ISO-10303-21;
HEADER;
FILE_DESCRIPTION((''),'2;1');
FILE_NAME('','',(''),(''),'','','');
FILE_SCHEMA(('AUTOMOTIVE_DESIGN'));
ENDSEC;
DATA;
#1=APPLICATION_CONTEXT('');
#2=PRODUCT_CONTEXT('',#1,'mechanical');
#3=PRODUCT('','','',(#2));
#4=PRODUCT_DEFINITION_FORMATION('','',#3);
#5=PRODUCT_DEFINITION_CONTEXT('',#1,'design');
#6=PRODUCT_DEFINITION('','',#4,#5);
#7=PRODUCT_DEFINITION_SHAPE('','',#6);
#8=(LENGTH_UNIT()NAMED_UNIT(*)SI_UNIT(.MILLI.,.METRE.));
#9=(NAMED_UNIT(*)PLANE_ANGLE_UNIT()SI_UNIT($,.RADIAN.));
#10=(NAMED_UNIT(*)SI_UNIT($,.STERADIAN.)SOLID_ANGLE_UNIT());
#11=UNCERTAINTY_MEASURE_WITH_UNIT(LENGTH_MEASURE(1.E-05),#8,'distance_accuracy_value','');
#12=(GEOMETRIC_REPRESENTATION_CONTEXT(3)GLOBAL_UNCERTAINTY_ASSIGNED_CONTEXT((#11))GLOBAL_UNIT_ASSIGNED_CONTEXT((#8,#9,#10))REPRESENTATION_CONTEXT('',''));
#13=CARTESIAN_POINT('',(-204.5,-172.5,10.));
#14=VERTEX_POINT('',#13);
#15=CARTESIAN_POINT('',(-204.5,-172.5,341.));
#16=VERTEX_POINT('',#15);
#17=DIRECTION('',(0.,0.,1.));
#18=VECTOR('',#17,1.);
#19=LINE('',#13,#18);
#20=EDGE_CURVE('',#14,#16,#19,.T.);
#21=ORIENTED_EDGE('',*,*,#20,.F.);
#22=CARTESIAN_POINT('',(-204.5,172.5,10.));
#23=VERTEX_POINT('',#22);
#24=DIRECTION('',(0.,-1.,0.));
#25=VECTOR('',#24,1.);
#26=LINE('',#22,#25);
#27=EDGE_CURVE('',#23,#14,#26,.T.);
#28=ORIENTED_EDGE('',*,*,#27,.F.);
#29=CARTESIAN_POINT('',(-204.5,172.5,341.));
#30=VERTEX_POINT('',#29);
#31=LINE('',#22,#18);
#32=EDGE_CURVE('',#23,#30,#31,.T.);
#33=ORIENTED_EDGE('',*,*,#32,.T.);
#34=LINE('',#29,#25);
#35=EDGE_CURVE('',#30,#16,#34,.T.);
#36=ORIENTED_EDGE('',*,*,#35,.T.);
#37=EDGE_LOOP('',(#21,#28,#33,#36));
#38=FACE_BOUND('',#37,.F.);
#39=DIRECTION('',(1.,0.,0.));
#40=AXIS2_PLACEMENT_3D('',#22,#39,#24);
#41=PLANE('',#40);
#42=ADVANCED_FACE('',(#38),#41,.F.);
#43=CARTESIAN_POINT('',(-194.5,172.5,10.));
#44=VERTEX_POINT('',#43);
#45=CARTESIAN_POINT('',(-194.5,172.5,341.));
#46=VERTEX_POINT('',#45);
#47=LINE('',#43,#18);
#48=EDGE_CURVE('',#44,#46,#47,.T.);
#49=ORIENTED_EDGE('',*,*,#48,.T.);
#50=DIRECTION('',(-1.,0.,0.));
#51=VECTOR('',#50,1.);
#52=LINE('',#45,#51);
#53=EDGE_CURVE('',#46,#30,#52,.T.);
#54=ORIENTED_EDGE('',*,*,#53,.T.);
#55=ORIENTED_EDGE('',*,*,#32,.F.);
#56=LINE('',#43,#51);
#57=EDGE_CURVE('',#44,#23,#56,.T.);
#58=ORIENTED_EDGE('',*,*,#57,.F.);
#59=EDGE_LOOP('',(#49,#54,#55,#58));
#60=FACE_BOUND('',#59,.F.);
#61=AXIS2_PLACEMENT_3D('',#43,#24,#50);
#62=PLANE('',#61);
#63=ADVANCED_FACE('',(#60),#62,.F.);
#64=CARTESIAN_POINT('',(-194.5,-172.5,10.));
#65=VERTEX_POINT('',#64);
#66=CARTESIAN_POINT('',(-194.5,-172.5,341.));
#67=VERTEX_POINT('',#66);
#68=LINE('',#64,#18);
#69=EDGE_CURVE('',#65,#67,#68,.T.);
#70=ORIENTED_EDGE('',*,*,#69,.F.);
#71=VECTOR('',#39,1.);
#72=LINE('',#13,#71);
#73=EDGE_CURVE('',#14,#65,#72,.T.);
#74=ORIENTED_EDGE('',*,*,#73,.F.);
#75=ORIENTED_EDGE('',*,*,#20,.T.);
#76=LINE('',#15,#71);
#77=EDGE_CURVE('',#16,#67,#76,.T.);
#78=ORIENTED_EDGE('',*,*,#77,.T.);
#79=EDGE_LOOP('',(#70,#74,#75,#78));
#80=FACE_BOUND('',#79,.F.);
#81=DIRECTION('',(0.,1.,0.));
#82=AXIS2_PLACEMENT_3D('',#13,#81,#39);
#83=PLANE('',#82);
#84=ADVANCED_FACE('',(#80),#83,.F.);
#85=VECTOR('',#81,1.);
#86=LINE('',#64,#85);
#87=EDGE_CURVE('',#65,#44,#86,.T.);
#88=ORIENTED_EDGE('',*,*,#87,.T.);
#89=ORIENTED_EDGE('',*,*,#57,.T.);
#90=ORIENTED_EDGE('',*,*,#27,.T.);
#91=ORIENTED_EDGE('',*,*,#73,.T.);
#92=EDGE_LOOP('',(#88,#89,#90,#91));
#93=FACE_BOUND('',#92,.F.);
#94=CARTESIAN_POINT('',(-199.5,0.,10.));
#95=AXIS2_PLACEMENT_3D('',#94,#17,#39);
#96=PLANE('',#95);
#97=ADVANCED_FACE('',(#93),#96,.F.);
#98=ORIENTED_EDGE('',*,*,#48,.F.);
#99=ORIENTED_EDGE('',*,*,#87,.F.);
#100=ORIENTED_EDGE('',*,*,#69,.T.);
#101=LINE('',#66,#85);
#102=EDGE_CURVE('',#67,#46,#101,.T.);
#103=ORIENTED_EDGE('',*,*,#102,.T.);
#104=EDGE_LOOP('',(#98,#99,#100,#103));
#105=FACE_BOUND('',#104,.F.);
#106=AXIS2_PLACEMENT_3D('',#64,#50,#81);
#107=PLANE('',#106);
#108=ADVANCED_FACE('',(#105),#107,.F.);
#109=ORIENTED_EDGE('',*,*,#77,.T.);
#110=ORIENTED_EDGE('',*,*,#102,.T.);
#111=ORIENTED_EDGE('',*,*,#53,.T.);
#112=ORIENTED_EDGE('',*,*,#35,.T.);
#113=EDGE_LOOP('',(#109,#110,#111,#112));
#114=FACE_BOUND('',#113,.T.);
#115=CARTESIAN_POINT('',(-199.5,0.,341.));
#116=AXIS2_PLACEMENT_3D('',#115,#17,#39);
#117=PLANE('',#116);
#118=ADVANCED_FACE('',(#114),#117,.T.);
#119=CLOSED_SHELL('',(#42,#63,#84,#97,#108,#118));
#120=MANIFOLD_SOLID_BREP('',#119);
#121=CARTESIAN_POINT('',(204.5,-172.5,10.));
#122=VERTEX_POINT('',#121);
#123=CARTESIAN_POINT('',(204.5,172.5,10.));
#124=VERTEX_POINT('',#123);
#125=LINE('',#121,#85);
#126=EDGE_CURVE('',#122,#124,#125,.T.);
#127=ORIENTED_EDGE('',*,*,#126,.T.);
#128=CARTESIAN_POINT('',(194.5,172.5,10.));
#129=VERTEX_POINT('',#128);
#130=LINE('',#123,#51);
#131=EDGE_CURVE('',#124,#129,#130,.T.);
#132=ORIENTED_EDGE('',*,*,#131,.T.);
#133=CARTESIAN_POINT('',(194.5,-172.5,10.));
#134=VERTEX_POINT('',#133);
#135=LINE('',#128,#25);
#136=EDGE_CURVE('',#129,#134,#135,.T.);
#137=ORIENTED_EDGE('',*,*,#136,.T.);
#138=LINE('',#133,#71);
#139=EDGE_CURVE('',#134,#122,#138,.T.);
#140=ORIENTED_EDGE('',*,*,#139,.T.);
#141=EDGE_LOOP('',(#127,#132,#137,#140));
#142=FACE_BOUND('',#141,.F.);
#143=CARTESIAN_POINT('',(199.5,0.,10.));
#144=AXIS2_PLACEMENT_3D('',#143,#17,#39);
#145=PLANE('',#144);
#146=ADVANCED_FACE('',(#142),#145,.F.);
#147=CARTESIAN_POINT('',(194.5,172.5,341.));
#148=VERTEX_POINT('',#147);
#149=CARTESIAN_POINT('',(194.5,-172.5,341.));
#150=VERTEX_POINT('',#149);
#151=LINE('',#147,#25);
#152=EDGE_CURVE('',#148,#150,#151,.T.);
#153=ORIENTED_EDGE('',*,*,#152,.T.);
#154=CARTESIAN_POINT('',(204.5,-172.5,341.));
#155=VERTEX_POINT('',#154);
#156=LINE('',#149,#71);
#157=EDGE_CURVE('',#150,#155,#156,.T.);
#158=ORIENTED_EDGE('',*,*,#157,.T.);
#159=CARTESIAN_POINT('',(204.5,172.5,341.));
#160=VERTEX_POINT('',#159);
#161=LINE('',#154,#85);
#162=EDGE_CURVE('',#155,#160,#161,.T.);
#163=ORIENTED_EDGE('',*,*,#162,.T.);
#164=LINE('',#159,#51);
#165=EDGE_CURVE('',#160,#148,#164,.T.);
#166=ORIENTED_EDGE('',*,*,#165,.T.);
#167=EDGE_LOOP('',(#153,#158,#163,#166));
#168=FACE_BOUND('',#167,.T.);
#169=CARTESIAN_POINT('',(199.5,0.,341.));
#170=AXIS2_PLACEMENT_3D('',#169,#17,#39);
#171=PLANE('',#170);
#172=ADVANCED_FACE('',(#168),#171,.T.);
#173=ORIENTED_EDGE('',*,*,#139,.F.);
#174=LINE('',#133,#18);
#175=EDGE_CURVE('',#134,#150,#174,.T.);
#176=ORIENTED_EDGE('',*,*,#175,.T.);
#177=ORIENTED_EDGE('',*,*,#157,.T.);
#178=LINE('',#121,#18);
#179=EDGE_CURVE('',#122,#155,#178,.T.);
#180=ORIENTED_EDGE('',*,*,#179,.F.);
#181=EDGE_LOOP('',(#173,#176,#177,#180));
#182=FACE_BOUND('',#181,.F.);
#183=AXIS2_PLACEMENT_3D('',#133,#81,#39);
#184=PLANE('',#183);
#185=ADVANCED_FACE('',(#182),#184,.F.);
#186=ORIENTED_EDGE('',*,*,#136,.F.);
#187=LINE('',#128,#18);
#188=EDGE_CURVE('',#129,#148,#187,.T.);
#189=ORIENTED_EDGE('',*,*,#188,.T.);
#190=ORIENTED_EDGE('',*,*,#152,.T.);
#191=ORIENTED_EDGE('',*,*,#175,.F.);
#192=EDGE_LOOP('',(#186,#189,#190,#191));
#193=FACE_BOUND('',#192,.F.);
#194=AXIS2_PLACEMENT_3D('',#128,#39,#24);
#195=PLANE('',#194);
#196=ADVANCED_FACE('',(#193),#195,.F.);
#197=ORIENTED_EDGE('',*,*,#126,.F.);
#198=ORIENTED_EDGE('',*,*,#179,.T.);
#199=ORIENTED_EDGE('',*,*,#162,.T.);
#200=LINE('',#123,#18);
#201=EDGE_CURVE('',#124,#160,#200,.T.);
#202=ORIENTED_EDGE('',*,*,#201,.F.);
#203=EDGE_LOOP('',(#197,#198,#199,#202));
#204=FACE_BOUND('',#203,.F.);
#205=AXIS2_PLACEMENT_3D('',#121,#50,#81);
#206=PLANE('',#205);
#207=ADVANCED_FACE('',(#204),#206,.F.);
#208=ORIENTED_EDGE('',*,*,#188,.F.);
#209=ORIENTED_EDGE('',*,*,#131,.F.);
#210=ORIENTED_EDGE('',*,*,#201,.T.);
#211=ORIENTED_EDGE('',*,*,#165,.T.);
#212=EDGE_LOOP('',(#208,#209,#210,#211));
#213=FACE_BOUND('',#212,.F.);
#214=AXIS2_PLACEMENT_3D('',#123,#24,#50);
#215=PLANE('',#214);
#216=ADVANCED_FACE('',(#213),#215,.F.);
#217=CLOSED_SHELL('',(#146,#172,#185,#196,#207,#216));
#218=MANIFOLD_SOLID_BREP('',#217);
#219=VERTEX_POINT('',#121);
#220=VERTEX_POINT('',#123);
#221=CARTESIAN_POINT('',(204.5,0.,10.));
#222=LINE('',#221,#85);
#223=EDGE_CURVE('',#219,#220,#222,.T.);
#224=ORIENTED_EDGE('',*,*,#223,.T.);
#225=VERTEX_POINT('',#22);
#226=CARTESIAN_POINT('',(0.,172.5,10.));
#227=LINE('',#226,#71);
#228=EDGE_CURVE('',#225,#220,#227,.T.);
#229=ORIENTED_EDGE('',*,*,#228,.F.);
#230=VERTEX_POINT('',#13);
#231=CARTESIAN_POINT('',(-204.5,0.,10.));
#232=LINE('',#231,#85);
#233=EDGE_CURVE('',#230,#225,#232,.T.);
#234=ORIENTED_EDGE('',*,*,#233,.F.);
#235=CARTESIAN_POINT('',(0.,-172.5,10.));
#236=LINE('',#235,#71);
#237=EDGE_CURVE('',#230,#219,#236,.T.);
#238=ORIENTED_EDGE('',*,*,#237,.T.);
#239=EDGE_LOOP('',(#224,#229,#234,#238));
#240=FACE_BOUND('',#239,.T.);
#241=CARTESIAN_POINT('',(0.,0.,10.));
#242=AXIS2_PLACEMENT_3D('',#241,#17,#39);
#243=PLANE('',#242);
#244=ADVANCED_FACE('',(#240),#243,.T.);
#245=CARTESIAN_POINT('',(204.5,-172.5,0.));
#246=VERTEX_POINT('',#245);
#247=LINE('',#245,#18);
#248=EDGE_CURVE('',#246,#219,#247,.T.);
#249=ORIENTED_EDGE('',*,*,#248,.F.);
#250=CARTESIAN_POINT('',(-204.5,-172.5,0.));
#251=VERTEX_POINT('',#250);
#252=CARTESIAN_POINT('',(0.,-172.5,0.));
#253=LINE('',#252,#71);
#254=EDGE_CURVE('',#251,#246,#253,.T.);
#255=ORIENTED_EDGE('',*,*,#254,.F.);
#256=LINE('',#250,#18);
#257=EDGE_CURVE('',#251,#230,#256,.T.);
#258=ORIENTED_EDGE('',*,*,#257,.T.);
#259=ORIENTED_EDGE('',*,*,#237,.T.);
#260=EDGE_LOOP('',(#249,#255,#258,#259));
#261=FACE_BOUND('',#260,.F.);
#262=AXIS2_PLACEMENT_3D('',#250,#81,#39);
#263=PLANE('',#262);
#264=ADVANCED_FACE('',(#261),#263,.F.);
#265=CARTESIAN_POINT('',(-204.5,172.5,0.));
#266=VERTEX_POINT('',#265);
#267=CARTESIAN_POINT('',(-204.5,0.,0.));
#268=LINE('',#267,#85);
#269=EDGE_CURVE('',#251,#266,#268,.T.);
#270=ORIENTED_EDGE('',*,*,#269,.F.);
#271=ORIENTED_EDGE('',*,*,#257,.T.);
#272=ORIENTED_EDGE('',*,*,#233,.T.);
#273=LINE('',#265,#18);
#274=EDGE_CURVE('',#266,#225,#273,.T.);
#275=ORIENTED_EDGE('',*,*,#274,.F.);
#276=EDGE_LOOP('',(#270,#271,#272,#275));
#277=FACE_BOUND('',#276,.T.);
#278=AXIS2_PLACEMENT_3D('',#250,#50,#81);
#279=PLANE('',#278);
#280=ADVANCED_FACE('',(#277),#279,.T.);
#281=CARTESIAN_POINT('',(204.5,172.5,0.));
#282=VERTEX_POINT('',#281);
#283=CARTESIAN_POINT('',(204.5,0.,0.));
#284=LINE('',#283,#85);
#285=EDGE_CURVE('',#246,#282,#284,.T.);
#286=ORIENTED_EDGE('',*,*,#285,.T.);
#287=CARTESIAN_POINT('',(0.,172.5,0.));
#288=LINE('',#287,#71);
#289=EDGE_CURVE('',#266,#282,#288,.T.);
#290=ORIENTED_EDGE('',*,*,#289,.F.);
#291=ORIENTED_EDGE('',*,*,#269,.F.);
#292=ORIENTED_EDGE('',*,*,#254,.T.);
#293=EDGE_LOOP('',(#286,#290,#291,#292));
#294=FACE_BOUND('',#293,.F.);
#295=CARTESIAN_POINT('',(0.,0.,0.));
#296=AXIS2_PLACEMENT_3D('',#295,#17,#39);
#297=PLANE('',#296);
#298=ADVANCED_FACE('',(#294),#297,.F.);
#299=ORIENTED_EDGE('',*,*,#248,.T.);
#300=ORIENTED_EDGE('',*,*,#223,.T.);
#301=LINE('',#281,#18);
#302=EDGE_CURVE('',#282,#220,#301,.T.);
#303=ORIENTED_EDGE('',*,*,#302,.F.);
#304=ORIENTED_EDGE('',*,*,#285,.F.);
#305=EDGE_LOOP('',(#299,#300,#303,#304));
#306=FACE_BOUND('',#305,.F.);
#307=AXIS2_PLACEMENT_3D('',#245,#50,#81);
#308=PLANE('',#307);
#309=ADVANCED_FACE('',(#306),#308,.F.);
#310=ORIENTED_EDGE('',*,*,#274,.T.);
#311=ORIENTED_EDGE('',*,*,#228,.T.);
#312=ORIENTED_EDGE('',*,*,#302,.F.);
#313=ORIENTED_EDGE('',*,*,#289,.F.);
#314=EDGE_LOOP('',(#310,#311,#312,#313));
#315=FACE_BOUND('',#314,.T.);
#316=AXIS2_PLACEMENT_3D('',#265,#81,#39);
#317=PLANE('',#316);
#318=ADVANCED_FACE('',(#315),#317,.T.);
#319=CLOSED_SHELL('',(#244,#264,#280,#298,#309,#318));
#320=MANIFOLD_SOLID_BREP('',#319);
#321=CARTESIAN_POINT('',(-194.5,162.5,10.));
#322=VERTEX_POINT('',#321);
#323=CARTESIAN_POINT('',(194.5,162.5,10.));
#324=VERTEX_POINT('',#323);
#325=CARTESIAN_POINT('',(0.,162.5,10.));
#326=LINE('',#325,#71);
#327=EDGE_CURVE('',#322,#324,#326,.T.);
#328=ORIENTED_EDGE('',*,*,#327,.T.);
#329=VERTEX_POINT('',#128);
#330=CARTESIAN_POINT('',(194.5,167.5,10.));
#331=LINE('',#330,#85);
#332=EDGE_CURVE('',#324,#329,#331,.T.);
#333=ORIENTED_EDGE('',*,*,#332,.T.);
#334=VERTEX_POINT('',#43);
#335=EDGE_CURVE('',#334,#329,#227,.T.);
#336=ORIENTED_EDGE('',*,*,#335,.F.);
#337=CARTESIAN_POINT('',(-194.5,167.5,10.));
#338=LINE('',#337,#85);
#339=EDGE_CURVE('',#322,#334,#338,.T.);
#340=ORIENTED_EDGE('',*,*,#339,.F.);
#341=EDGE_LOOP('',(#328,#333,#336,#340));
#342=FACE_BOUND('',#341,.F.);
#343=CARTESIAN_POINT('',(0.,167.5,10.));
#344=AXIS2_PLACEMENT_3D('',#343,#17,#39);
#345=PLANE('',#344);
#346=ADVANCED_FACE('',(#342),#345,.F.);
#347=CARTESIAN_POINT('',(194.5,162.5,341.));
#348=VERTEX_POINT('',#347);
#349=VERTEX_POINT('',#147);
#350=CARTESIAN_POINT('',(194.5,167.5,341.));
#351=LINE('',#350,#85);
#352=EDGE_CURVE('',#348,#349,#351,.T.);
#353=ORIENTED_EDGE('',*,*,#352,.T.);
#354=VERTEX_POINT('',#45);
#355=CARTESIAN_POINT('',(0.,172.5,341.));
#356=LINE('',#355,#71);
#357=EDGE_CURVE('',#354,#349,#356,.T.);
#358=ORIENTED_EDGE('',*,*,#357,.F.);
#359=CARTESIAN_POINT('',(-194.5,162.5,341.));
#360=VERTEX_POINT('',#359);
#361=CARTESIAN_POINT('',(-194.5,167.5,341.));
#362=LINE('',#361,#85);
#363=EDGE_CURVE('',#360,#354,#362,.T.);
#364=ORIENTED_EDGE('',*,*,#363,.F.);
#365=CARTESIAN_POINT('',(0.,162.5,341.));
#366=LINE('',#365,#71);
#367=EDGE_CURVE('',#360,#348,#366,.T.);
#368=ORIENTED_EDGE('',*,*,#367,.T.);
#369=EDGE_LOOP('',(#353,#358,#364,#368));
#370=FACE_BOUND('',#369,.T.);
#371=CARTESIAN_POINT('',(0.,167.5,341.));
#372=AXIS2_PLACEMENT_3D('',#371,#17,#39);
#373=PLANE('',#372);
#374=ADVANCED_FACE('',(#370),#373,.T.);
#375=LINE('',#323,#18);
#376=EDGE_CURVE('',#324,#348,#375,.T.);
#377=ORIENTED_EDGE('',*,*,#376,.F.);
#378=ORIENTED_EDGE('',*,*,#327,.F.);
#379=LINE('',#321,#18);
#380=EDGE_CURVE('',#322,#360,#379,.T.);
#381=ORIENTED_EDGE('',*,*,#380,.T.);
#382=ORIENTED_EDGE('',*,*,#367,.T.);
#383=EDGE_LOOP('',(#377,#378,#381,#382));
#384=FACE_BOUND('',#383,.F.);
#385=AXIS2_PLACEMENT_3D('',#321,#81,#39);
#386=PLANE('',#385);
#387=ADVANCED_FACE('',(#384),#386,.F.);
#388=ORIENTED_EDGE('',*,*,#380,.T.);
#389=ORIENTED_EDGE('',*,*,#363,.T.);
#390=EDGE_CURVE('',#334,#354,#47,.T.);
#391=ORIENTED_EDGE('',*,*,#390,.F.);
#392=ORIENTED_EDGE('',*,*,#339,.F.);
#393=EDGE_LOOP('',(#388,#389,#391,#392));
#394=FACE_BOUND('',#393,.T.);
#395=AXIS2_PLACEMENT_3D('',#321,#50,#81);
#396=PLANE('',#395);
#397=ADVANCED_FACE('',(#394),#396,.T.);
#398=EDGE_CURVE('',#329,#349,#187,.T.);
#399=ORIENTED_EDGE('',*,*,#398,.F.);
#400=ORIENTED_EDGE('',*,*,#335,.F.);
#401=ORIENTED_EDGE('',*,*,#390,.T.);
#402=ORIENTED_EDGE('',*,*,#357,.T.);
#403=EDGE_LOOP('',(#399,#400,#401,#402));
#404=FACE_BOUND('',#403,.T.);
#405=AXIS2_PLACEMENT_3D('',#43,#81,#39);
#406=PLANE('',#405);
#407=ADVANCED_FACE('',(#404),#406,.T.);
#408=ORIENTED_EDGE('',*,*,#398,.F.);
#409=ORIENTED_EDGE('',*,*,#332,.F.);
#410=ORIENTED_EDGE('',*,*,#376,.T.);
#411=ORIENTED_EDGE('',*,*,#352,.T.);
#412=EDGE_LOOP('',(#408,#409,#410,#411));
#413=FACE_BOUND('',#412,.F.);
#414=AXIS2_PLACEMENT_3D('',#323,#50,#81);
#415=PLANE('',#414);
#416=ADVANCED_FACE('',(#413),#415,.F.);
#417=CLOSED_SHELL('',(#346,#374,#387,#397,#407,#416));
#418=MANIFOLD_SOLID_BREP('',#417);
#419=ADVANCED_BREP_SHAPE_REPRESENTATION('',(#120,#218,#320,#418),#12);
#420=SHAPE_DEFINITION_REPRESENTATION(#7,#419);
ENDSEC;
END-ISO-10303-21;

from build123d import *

# Parameters (mm, degrees)
F0_W     = 409
F0_H     = 345
F1_DEPTH = 10
F2_W     = 389
F2_H     = 10
F4_DEPTH = 331
F5_DEPTH = 331
F6_DEPTH = 331


with BuildPart() as f1:
    # F0 (on Top) → F1 (new body)
    with BuildSketch(Plane.XY):
        Rectangle(F0_W, F0_H)
    extrude(amount=F1_DEPTH)


with BuildPart() as f4:
    # F2 (on face) → F4 (new body)
    with BuildSketch(Plane.XY.offset(10)):
        with Locations((0, 167.5)):
            Rectangle(F2_W, F2_H)
    extrude(amount=F4_DEPTH)


with BuildPart() as f5:
    # F2 (on face) → F5 (new body)
    with BuildSketch(Plane.XY.offset(10)):
        Polygon((-194.5, 172.5), (-204.5, 172.5), (-204.5, -172.5), (-194.5, -172.5), (-194.5, 162.5), align=None)
    extrude(amount=F5_DEPTH)


with BuildPart() as f6:
    # F2 (on face) → F6 (new body)
    with BuildSketch(Plane.XY.offset(10)):
        Polygon((204.5, 172.5), (194.5, 172.5), (194.5, 162.5), (194.5, -172.5), (204.5, -172.5), align=None)
    extrude(amount=F6_DEPTH)


solid = Compound([f1.part, f4.part, f5.part, f6.part])
